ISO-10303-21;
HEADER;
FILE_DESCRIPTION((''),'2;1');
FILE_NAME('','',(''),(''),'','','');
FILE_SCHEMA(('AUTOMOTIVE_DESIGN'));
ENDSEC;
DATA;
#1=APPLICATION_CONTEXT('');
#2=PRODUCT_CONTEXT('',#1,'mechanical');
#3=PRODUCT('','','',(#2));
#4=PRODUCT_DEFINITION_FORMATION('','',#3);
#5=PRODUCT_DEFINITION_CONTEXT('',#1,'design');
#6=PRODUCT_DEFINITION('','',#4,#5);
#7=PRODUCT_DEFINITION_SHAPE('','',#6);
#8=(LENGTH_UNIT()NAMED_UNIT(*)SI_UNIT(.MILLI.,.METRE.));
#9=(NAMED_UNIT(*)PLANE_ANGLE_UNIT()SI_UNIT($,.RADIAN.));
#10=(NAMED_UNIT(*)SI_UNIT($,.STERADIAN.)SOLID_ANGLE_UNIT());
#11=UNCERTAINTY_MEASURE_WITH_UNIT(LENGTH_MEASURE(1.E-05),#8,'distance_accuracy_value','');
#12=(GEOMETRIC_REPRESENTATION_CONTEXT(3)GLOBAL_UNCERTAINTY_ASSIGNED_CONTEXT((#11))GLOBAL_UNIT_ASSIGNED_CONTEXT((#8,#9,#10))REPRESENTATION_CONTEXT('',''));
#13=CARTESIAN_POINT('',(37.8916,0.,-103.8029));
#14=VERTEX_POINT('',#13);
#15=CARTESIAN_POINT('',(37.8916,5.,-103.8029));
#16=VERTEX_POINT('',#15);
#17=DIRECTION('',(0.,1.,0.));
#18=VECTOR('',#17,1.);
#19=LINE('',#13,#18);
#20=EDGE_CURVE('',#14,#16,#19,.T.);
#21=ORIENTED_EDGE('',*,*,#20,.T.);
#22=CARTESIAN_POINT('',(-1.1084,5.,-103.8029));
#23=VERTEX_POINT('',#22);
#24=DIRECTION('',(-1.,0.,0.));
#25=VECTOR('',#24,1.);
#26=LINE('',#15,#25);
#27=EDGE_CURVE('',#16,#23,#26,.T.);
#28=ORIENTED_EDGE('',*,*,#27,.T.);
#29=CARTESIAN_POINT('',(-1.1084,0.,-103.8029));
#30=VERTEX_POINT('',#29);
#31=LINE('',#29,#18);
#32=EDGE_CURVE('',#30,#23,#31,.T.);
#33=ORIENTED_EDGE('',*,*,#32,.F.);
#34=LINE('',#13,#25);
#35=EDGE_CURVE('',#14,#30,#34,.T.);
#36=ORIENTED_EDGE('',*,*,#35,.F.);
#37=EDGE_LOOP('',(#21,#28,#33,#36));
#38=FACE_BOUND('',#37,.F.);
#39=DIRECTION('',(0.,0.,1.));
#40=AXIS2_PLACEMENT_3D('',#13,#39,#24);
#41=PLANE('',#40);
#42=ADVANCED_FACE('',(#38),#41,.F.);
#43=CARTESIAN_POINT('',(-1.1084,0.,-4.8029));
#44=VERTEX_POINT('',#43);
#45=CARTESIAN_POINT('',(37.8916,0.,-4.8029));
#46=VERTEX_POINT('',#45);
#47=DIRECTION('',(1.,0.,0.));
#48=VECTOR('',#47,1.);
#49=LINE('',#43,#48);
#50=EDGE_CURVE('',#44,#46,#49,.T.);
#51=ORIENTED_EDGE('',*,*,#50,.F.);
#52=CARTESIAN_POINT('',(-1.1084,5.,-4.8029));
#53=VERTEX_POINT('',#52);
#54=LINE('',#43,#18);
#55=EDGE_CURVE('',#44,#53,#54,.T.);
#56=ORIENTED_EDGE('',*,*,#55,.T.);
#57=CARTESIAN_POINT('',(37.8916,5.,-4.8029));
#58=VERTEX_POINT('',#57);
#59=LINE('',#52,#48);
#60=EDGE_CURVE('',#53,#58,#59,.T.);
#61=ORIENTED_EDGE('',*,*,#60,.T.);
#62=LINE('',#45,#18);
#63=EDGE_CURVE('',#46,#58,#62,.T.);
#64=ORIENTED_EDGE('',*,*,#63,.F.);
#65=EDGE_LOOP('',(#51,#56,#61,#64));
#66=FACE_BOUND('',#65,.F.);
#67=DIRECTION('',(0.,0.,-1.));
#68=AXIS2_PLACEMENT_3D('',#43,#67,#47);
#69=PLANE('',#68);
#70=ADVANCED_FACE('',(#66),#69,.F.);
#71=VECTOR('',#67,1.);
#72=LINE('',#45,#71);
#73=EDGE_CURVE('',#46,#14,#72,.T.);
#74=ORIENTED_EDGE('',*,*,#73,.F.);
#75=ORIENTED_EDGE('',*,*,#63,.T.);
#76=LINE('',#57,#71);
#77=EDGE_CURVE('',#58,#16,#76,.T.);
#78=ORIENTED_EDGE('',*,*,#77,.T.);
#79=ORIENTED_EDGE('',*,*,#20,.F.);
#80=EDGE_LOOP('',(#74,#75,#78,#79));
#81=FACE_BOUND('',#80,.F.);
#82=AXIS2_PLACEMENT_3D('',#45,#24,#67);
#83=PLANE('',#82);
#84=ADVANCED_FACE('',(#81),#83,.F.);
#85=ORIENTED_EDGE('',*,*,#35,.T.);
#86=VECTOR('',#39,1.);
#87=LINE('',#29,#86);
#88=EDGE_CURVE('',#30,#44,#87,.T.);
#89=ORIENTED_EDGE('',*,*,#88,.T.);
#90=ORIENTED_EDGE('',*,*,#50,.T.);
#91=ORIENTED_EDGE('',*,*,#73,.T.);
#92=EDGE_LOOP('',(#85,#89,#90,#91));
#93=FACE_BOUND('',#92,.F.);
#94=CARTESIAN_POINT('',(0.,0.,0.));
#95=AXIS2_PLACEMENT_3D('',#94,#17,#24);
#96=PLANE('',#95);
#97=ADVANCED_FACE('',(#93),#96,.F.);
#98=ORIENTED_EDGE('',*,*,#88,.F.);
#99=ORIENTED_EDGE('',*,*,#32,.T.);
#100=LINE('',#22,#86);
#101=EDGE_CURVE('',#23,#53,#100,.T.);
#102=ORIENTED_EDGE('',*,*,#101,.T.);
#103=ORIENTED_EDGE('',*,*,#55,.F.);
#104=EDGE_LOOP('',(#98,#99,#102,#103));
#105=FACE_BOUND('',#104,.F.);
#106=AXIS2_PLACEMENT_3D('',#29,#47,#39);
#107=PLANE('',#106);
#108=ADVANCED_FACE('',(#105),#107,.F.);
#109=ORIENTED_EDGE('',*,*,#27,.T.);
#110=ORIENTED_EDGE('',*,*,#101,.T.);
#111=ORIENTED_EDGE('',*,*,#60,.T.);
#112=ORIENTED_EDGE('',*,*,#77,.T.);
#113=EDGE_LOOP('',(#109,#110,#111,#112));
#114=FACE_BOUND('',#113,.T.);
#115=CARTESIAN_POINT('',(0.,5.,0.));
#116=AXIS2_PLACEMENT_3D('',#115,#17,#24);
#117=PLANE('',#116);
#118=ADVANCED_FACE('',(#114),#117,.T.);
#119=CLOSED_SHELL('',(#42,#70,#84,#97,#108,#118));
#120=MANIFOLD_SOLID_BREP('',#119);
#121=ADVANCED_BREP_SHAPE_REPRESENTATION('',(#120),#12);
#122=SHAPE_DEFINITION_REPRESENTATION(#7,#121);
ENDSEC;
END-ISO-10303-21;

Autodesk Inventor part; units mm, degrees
ref_plane "YZ Plane" through (0, 0, 0) normal (1, 0, 0) x (0, 1, 0)
ref_plane "XZ Plane" through (0, 0, 0) normal (0, 1, 0) x (-1, 0, 0)
ref_plane "XY Plane" through (0, 0, 0) normal (0, 0, 1) x (1, 0, 0)
sketch "Sketch1" plane through (0, 0, 0) normal (0, 1, 0) x (-1, 0, 0)
  line L0 (1.1084, -4.8029) -> (-37.8916, -4.8029)
  line L1 (-37.8916, -4.8029) -> (-37.8916, -103.8029)
  line L2 (-37.8916, -103.8029) -> (1.1084, -103.8029)
  line L3 (1.1084, -103.8029) -> (1.1084, -4.8029)
  point P0 (0, 0)
  dimension "d0" = 39
  dimension "d1" = 99
extrude "Extrusion1" add sketch "Sketch1" along normal blind 5
properties part number "PCB"
